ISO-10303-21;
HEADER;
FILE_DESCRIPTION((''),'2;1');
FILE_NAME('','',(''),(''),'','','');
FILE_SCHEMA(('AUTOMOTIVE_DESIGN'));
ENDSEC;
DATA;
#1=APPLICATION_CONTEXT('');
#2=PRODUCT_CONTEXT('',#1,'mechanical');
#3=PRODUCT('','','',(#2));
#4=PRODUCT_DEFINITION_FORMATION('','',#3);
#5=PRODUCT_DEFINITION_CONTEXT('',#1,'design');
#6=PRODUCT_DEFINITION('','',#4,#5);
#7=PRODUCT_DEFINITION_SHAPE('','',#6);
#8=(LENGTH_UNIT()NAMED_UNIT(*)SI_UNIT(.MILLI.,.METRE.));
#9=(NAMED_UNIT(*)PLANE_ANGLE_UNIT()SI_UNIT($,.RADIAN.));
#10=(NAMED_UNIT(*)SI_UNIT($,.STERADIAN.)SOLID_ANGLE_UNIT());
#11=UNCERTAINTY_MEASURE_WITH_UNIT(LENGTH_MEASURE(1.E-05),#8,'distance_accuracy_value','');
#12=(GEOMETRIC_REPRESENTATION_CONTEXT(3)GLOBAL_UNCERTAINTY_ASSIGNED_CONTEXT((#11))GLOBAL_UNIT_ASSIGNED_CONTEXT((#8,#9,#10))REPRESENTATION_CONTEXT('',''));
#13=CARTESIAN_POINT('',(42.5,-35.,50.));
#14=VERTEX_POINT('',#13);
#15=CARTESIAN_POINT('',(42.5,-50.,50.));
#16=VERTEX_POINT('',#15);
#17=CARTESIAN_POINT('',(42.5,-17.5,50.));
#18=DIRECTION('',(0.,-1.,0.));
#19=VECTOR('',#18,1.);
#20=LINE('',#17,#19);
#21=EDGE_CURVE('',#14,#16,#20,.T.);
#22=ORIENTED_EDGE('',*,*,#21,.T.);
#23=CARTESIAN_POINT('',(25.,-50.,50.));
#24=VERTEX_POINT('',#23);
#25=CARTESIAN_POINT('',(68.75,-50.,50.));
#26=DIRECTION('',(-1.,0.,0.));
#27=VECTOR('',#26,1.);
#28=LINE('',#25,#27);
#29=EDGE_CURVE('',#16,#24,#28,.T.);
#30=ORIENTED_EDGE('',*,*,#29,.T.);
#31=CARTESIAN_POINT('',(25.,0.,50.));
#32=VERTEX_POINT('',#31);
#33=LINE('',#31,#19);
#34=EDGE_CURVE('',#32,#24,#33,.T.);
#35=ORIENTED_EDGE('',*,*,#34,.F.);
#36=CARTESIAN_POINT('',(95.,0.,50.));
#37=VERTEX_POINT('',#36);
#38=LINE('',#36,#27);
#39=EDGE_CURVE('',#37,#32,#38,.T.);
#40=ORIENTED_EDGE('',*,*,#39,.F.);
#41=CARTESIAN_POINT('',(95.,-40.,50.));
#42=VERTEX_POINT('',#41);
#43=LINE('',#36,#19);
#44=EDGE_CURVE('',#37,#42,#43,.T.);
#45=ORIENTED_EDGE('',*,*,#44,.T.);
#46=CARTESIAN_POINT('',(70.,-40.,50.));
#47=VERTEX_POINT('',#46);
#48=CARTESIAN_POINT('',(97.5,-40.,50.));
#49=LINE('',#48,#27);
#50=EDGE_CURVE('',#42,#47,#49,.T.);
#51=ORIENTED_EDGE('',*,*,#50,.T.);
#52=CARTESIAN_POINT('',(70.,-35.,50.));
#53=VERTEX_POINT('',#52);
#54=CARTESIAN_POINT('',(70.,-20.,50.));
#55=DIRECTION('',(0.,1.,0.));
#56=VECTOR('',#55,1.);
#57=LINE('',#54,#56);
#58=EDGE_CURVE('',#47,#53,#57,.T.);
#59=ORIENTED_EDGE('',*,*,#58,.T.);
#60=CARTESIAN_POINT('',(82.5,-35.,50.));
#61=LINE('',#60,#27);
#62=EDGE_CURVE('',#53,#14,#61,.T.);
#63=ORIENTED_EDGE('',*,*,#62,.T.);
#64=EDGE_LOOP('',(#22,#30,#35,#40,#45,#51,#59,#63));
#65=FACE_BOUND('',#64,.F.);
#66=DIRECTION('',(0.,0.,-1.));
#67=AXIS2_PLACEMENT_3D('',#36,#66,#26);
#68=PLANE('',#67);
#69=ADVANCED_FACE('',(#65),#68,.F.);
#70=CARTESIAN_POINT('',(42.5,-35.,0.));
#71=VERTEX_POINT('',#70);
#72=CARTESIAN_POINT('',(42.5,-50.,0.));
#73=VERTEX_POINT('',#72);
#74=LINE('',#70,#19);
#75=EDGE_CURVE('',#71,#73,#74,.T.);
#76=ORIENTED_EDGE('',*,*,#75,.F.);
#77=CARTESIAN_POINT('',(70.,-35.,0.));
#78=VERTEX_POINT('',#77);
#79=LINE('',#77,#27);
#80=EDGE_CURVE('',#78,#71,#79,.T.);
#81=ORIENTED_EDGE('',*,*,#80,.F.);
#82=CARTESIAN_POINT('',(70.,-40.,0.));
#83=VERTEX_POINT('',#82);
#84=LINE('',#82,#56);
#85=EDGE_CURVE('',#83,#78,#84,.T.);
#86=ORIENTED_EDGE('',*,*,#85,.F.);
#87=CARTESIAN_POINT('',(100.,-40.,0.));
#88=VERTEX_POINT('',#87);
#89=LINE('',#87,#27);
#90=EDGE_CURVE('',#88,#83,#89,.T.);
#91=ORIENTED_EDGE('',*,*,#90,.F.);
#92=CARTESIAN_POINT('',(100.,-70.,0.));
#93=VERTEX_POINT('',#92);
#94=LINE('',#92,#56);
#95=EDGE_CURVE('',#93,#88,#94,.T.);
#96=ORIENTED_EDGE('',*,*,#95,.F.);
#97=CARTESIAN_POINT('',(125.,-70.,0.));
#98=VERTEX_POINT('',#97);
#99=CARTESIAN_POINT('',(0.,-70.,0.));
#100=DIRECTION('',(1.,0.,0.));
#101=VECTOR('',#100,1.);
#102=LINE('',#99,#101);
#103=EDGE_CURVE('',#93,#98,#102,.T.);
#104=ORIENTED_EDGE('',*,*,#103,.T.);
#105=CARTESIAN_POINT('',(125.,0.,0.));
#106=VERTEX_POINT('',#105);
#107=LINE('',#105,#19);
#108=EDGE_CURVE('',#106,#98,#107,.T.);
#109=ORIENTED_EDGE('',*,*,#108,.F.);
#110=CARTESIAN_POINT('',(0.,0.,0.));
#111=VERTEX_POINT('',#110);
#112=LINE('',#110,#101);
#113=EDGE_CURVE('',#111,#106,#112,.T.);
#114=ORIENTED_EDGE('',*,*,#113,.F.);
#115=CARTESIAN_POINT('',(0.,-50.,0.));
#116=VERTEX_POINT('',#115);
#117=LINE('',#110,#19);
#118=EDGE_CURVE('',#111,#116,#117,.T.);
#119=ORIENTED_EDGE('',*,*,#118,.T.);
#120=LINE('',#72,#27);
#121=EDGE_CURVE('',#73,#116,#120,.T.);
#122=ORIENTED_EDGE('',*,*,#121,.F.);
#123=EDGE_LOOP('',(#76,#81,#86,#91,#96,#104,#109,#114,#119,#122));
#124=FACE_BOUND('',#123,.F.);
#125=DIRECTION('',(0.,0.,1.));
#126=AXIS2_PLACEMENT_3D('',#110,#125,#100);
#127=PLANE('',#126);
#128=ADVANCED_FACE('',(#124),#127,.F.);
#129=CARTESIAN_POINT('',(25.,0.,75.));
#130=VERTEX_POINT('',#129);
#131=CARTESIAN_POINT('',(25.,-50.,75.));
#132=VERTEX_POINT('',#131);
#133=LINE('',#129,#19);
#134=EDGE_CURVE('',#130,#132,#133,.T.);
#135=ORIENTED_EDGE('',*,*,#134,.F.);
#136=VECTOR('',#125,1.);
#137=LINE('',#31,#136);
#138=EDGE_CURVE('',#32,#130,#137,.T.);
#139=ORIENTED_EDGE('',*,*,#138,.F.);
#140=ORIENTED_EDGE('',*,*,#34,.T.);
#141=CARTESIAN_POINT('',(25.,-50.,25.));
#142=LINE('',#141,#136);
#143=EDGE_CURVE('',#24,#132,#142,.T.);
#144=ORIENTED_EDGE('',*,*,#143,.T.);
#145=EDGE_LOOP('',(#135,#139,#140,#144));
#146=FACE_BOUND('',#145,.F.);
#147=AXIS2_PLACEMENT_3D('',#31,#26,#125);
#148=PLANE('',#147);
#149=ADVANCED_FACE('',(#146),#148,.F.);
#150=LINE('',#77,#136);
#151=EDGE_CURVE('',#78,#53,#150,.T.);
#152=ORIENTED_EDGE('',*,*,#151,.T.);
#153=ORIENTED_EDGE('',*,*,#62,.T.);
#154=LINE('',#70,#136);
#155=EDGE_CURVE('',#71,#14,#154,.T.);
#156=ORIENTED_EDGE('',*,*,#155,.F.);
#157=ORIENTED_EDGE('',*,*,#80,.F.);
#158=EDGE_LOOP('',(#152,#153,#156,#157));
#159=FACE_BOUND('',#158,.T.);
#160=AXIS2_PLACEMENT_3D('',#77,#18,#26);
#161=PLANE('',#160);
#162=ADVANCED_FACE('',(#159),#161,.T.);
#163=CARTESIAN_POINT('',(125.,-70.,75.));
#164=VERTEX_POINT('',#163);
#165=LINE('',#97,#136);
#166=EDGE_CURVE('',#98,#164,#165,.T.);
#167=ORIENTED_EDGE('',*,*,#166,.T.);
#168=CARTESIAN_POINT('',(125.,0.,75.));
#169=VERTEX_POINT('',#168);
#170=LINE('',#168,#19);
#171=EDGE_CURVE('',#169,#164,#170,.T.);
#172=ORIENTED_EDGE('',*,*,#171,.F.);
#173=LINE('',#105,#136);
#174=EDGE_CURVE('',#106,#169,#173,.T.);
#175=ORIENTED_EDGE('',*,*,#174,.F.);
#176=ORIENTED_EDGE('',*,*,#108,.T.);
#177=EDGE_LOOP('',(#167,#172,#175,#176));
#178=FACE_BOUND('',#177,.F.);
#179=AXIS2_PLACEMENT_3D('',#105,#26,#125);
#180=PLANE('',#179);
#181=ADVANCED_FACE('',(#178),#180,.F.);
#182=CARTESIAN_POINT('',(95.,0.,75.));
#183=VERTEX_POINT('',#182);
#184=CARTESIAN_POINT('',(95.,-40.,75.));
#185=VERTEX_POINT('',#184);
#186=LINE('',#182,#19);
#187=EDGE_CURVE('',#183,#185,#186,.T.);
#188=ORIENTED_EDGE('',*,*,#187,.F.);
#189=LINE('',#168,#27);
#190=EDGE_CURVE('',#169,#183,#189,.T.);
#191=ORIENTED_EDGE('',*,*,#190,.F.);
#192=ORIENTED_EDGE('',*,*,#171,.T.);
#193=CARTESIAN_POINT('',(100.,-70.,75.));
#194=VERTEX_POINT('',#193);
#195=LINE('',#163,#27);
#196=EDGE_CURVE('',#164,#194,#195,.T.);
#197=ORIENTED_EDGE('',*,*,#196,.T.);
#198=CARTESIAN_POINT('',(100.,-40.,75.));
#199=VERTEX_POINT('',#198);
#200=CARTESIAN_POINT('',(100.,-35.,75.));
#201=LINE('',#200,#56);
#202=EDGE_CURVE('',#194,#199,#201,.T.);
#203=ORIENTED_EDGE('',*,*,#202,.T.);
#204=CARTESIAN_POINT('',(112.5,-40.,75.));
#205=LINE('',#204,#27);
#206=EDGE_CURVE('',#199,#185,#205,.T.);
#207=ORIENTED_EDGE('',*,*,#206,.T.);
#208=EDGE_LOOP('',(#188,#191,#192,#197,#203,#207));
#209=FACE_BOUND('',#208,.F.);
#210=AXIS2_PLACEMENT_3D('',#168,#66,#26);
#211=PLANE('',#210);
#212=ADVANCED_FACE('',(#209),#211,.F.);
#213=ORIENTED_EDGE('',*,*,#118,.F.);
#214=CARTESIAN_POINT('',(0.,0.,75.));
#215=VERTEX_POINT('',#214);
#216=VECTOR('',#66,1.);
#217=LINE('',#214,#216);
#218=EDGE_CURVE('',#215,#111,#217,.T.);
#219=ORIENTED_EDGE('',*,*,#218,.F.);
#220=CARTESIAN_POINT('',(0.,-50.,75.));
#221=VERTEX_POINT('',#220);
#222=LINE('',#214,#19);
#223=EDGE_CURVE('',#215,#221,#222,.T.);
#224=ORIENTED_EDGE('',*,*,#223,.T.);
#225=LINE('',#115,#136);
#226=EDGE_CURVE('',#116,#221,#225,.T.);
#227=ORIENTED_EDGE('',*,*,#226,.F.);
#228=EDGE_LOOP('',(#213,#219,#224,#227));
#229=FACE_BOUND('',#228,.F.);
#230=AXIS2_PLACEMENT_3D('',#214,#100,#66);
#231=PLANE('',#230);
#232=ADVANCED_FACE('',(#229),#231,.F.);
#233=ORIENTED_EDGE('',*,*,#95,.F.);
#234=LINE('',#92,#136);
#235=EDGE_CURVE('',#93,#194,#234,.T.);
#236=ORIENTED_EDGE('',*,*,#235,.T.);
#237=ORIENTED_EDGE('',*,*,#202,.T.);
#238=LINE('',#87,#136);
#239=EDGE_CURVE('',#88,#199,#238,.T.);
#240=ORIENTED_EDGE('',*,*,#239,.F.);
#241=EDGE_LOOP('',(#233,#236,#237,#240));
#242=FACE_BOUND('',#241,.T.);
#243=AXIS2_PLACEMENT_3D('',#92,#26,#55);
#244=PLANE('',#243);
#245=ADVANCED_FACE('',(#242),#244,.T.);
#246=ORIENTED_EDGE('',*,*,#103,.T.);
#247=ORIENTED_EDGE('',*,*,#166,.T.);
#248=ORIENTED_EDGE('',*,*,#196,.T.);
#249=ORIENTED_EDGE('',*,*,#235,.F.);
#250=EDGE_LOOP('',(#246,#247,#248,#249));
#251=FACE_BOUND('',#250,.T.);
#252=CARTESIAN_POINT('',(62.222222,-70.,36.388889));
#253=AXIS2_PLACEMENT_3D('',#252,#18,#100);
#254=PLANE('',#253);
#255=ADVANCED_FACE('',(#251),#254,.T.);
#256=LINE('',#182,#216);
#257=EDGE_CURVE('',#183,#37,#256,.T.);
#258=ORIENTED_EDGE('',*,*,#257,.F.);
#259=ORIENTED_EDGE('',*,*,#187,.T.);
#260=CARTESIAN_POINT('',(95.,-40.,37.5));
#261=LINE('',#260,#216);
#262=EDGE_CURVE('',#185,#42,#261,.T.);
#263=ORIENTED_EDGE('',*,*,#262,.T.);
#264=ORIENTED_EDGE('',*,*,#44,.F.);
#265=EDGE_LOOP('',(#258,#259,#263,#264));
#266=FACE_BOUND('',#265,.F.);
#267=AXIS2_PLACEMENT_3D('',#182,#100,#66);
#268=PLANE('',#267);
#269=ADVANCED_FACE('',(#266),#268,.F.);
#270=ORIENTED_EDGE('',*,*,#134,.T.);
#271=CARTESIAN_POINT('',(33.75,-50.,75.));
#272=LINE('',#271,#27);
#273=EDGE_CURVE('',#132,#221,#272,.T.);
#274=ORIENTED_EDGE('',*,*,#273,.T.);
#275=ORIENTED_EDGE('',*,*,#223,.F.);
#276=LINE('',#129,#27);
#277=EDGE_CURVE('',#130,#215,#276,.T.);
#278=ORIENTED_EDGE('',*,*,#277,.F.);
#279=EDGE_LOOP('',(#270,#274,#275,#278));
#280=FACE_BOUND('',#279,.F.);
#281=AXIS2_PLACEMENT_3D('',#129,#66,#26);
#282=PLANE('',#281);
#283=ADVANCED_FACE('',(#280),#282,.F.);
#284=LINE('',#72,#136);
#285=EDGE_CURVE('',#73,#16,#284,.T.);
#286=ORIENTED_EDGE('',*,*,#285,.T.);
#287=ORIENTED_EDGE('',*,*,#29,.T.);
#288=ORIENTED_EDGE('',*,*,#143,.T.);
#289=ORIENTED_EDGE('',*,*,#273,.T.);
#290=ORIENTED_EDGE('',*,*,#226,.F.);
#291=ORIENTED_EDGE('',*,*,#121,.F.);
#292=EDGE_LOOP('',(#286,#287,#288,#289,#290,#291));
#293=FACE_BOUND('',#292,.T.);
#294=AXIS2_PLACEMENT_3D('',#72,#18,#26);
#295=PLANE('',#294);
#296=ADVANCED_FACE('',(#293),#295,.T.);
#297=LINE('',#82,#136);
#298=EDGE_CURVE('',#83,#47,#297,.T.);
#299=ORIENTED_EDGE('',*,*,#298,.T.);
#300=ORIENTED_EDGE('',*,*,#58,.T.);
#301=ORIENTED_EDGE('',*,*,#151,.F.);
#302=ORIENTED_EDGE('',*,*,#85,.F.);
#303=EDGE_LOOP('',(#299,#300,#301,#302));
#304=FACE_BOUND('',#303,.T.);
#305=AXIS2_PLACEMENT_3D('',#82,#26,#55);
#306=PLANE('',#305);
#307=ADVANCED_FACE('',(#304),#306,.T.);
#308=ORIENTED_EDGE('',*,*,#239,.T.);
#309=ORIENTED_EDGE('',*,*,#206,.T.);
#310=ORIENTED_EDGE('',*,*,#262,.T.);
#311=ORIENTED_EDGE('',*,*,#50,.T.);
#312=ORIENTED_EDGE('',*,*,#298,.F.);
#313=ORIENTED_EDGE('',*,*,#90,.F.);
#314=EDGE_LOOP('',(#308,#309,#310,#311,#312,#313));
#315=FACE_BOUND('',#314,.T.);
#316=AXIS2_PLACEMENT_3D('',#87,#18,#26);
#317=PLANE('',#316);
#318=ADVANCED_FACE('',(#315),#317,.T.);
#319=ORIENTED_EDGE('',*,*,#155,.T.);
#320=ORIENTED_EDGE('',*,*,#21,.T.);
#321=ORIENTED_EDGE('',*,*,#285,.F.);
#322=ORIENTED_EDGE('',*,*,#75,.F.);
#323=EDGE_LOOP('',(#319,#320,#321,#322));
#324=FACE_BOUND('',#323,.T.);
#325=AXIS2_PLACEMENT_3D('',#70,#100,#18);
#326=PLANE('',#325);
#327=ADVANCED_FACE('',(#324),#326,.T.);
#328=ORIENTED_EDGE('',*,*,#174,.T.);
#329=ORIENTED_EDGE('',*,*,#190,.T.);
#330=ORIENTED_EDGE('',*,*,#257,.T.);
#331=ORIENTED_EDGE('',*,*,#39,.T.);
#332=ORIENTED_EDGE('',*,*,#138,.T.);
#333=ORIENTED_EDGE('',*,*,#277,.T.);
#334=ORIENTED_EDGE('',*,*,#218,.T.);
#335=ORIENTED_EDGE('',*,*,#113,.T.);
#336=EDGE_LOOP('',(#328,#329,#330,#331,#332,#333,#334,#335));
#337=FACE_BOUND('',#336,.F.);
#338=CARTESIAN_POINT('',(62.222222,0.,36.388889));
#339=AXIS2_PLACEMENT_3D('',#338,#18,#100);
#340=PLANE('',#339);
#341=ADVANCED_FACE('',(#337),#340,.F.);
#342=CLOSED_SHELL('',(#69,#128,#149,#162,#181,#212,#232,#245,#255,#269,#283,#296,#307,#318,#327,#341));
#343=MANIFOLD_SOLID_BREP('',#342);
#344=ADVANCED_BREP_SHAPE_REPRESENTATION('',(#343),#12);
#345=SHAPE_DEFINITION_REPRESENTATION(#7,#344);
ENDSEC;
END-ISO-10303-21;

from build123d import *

# Parameters (mm, degrees)
F1_DEPTH = 70
F3_DEPTH = 75.001


with BuildPart() as f1:
    # F0 (on Front) → F1 (new body)
    with BuildSketch(Plane.XZ):
        Polygon((0, 75), (0, 0), (125, 0), (125, 75), (95, 75), (95, 50), (25, 50), (25, 75), align=None)
    extrude(amount=F1_DEPTH)

    # F2 (on Top) → F3 (cut, through all)
    with BuildSketch(Plane.XY):
        Polygon((0, -70), (100, -70), (100, -40), (70, -40), (70, -35), (42.5, -35), (42.5, -50), (0, -50), align=None)
    extrude(amount=F3_DEPTH, mode=Mode.SUBTRACT)


solid = f1.part
